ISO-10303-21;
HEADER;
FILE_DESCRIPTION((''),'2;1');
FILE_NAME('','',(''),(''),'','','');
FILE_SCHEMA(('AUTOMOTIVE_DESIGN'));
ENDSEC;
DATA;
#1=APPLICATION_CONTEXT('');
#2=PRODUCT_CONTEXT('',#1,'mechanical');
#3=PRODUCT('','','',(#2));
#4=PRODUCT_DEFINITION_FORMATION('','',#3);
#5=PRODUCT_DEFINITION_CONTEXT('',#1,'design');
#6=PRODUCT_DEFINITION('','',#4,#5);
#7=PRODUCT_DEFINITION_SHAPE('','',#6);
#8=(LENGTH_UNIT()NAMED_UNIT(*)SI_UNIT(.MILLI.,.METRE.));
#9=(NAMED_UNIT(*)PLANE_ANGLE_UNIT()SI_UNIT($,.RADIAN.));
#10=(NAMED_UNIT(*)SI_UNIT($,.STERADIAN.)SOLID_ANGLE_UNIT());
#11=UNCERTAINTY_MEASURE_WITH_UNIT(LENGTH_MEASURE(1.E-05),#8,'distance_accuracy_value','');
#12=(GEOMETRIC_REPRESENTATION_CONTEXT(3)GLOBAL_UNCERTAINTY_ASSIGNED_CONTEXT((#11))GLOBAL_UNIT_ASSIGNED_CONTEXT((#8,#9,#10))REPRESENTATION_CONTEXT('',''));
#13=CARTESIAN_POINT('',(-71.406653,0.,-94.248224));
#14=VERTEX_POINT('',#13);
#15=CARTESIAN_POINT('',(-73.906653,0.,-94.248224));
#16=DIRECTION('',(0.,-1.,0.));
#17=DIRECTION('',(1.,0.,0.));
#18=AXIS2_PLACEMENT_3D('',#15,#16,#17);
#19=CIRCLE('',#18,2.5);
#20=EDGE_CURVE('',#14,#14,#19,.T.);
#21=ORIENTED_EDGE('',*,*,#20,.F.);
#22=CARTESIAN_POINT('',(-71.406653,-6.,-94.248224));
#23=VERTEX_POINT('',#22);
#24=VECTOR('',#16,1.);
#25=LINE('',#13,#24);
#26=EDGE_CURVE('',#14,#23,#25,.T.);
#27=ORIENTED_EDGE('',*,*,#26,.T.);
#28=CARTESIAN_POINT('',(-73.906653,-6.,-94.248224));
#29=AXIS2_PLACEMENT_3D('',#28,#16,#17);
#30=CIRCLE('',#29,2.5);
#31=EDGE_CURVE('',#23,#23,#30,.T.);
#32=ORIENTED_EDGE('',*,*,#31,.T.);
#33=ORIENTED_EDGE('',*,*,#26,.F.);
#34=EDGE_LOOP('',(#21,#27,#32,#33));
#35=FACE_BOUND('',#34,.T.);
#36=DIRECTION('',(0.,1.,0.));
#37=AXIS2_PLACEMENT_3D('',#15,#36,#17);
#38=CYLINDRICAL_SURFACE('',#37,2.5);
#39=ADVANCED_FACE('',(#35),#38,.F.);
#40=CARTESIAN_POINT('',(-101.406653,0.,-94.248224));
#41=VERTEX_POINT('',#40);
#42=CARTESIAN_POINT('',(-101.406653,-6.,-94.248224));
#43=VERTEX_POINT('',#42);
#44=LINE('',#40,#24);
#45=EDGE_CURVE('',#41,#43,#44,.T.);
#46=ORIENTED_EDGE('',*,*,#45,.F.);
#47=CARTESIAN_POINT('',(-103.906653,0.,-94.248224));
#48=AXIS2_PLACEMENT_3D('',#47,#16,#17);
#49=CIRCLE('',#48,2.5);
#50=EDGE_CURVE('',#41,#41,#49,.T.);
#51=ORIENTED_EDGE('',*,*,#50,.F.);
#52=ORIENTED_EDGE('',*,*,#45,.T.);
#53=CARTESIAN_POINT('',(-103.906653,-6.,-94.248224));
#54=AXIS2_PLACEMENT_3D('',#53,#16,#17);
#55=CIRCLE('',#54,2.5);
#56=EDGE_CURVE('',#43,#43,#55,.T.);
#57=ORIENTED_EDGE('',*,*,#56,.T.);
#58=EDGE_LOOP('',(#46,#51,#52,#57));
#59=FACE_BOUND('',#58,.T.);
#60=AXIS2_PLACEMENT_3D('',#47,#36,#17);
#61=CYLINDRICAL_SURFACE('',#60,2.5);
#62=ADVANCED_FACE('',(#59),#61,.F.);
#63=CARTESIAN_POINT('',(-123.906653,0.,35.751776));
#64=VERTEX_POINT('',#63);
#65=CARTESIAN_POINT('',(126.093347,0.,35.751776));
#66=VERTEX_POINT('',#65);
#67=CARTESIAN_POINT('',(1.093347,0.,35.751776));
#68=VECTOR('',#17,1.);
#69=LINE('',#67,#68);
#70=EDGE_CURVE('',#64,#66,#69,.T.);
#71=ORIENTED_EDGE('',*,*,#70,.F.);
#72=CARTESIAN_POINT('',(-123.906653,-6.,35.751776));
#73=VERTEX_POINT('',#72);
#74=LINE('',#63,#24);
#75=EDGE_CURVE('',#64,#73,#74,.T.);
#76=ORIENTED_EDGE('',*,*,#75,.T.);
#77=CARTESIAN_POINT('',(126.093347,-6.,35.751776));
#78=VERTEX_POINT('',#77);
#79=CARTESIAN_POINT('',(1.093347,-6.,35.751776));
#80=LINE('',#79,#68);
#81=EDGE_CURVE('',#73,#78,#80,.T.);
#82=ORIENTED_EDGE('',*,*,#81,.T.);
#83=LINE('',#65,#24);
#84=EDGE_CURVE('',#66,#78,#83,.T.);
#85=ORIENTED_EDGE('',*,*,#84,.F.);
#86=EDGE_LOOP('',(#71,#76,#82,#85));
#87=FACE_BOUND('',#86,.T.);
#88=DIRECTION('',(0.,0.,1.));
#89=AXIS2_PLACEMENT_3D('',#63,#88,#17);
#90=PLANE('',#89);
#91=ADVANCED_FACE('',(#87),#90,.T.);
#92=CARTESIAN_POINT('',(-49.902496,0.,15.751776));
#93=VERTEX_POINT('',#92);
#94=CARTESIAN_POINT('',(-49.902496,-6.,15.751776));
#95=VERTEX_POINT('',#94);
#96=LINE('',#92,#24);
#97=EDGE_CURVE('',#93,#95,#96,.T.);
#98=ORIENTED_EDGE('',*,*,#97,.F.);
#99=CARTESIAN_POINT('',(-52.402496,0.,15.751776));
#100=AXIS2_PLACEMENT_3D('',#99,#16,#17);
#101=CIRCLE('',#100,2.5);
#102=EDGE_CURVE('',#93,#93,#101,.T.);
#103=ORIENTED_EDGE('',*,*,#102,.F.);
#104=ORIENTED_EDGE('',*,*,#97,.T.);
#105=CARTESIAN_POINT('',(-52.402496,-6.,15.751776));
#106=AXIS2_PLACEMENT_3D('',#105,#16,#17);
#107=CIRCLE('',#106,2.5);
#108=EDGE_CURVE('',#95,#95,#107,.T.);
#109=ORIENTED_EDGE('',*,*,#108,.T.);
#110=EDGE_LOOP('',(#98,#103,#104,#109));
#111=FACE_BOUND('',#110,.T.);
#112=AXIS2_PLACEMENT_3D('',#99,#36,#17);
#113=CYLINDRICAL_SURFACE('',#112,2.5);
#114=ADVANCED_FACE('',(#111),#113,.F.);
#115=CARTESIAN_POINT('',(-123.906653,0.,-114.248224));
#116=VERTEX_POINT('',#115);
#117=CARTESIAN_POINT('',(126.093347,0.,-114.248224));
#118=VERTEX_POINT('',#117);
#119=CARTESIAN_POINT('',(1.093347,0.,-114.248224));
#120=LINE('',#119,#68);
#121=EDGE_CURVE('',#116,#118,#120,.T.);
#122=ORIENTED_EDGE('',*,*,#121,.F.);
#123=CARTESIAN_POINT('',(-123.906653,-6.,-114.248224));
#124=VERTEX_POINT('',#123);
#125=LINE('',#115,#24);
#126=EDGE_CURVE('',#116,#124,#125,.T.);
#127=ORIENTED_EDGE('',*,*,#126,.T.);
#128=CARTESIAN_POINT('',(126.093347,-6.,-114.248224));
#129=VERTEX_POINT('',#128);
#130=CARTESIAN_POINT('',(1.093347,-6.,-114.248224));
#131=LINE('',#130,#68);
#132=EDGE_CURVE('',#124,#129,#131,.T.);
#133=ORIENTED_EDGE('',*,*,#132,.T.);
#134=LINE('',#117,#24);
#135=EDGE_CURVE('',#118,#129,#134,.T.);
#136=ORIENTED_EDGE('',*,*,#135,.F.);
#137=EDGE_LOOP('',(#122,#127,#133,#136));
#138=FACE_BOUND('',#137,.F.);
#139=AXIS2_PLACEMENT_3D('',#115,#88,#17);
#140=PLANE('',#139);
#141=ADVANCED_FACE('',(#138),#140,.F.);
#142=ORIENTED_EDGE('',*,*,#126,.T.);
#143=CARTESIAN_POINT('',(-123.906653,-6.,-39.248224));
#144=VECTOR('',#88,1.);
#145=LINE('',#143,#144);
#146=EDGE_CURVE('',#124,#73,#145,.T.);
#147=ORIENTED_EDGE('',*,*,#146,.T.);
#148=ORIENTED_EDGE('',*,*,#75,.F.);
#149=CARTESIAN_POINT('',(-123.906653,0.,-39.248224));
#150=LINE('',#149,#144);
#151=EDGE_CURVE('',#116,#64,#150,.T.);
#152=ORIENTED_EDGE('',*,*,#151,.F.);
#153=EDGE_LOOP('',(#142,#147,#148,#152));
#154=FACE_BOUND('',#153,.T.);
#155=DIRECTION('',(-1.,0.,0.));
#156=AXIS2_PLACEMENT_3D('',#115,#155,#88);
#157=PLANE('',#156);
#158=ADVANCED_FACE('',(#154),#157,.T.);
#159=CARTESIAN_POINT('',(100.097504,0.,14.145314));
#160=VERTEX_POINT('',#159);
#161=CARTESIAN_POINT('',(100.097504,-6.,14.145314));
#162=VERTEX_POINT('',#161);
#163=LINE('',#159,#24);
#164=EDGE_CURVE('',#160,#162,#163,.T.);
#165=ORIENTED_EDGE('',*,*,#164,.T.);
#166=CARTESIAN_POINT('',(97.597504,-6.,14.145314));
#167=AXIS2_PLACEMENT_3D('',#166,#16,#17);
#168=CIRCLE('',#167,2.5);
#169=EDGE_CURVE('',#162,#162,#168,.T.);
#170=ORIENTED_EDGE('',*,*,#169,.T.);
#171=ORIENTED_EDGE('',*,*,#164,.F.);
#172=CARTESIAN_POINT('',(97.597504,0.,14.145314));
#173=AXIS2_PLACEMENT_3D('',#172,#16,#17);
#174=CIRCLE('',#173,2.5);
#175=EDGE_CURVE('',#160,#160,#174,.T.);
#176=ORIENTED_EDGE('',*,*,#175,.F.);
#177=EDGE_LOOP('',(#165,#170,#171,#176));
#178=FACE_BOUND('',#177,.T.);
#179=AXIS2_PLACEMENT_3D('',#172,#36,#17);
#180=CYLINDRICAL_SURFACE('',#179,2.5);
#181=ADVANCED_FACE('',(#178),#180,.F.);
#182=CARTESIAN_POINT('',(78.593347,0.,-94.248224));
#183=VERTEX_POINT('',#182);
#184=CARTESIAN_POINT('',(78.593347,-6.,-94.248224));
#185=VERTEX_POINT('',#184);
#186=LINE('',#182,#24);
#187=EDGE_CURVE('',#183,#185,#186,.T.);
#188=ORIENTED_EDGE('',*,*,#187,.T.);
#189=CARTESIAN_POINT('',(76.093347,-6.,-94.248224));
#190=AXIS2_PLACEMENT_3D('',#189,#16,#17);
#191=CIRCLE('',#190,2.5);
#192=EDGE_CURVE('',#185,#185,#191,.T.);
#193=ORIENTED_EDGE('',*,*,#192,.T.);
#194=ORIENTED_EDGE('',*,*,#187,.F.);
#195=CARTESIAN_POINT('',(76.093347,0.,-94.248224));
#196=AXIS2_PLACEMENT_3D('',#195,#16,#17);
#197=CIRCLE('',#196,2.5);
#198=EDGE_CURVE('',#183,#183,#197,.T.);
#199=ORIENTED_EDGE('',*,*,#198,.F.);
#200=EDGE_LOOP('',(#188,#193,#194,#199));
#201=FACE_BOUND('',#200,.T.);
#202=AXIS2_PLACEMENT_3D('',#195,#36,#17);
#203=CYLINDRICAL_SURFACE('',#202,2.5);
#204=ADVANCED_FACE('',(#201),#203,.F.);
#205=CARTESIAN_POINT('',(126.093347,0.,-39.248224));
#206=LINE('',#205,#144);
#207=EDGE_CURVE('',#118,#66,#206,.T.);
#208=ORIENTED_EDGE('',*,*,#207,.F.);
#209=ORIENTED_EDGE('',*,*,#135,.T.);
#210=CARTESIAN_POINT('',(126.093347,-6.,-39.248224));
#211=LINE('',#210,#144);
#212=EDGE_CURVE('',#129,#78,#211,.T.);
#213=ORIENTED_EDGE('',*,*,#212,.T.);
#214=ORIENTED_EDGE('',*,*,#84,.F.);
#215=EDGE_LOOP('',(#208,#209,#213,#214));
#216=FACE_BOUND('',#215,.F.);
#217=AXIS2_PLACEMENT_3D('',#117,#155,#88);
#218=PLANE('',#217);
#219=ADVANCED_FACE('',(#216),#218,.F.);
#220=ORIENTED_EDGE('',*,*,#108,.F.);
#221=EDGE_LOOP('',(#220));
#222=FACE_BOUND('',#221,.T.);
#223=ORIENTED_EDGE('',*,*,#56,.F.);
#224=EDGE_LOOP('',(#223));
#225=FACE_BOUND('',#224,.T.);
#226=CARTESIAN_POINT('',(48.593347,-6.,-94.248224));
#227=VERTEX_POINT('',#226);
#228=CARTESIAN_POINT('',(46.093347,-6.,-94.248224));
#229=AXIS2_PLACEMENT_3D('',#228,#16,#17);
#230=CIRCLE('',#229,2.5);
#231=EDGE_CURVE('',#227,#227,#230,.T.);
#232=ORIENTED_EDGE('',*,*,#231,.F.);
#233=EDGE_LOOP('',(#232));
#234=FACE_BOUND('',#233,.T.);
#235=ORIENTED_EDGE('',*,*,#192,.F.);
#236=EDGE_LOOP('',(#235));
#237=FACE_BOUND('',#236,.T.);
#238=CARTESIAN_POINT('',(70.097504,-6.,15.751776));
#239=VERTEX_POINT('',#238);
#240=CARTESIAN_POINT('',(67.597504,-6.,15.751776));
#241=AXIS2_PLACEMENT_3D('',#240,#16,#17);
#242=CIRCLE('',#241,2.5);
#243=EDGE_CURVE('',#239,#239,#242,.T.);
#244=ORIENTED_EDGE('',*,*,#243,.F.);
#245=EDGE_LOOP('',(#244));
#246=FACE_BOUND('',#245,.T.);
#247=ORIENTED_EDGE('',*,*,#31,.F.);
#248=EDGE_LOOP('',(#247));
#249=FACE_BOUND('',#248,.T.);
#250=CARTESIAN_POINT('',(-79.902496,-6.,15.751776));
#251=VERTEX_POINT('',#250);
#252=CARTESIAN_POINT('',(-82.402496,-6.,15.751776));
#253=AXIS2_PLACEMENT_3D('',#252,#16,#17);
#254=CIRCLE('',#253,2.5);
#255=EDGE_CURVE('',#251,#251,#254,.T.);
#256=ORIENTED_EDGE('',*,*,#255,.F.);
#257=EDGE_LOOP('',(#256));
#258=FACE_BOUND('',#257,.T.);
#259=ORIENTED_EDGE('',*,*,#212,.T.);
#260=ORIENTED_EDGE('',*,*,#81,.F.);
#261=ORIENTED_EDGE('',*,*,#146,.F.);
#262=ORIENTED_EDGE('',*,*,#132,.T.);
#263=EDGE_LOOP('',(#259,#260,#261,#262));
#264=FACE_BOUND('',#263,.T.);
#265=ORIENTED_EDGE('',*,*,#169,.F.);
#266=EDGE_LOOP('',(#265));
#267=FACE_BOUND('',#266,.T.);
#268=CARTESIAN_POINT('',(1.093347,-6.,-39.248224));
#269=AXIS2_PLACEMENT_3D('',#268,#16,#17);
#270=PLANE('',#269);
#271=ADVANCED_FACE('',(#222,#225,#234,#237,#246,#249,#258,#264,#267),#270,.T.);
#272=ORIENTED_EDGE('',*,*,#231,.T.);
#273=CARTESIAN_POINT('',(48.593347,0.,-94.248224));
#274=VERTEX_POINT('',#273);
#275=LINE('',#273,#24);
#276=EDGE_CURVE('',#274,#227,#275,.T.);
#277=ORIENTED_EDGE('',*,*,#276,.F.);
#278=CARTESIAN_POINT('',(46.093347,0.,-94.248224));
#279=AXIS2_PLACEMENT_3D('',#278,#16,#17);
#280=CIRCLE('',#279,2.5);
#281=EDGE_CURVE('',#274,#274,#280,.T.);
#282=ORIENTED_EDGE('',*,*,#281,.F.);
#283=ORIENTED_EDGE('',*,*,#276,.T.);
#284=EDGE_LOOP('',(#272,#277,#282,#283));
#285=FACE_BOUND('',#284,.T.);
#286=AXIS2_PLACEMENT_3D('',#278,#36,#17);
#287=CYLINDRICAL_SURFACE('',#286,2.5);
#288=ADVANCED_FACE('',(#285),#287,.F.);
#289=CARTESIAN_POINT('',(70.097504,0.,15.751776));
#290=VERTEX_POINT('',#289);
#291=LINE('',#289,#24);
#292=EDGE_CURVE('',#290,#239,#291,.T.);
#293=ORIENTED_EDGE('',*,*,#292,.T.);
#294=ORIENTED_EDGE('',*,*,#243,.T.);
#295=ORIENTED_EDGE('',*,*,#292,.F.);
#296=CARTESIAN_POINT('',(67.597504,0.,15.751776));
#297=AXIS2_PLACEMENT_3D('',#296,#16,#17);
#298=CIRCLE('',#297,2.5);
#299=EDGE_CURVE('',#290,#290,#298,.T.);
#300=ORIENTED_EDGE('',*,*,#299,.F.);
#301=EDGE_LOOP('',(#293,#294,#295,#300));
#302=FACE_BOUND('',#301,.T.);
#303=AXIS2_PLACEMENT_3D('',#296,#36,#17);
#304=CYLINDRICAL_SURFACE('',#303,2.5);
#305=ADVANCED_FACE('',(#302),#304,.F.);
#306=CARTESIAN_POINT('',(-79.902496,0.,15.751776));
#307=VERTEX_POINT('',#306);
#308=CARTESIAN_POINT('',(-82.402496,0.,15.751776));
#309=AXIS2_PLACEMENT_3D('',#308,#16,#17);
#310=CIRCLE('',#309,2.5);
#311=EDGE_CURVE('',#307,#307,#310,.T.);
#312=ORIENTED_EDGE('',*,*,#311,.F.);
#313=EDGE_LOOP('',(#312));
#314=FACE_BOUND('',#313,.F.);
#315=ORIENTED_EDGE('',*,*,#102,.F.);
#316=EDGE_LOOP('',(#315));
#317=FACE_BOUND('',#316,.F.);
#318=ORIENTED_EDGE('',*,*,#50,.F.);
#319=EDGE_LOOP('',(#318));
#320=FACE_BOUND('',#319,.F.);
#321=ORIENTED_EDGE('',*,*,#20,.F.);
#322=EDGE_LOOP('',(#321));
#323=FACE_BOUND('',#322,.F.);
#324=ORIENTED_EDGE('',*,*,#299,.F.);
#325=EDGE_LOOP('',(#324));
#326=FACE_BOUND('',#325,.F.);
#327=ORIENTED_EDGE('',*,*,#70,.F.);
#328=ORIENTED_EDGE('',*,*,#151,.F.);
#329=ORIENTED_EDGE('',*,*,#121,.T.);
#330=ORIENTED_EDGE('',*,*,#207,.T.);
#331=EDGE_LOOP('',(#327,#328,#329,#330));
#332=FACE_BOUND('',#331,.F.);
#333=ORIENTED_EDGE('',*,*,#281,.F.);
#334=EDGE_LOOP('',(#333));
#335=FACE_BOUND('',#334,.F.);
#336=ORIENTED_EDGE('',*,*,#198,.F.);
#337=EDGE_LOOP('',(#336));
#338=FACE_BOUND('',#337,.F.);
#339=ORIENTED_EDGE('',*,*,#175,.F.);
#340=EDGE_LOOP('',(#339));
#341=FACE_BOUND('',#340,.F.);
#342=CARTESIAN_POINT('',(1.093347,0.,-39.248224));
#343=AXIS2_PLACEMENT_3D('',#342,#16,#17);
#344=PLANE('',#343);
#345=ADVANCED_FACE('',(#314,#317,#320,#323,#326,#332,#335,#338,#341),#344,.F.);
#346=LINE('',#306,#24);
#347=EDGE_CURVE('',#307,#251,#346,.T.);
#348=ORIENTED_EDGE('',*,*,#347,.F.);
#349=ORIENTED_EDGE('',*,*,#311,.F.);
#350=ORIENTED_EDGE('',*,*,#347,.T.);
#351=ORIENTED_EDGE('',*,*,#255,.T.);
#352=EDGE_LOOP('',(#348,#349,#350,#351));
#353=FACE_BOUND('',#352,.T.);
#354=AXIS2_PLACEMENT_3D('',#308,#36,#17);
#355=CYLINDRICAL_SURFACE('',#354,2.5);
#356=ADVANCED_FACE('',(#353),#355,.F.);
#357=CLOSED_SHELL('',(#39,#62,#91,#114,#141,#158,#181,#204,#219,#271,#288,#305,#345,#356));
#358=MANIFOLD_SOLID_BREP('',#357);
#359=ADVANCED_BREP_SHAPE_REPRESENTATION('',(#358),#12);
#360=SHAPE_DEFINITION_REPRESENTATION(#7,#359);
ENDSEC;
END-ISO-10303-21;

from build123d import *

# Parameters (mm, degrees)
F0_W     = 250
F0_H     = 150
F0_R     = 2.5
F1_DEPTH = 6


with BuildPart() as f1:
    # F0 (on Front) → F1 (new body)
    with BuildSketch(Plane.XZ):
        with Locations((1.093347, -39.248224)):
            Rectangle(F0_W, F0_H)
        with Locations((-103.906653, -94.248224)):
            Circle(F0_R, mode=Mode.SUBTRACT)
        with Locations((-73.906653, -94.248224)):
            Circle(F0_R, mode=Mode.SUBTRACT)
        with Locations((46.093347, -94.248224)):
            Circle(F0_R, mode=Mode.SUBTRACT)
        with Locations((76.093347, -94.248224)):
            Circle(F0_R, mode=Mode.SUBTRACT)
        with Locations((-82.402496, 15.751776)):
            Circle(F0_R, mode=Mode.SUBTRACT)
        with Locations((-52.402496, 15.751776)):
            Circle(F0_R, mode=Mode.SUBTRACT)
        with Locations((67.597504, 15.751776)):
            Circle(F0_R, mode=Mode.SUBTRACT)
        with Locations((97.597504, 14.145314)):
            Circle(F0_R, mode=Mode.SUBTRACT)
    extrude(amount=F1_DEPTH)


solid = f1.part
